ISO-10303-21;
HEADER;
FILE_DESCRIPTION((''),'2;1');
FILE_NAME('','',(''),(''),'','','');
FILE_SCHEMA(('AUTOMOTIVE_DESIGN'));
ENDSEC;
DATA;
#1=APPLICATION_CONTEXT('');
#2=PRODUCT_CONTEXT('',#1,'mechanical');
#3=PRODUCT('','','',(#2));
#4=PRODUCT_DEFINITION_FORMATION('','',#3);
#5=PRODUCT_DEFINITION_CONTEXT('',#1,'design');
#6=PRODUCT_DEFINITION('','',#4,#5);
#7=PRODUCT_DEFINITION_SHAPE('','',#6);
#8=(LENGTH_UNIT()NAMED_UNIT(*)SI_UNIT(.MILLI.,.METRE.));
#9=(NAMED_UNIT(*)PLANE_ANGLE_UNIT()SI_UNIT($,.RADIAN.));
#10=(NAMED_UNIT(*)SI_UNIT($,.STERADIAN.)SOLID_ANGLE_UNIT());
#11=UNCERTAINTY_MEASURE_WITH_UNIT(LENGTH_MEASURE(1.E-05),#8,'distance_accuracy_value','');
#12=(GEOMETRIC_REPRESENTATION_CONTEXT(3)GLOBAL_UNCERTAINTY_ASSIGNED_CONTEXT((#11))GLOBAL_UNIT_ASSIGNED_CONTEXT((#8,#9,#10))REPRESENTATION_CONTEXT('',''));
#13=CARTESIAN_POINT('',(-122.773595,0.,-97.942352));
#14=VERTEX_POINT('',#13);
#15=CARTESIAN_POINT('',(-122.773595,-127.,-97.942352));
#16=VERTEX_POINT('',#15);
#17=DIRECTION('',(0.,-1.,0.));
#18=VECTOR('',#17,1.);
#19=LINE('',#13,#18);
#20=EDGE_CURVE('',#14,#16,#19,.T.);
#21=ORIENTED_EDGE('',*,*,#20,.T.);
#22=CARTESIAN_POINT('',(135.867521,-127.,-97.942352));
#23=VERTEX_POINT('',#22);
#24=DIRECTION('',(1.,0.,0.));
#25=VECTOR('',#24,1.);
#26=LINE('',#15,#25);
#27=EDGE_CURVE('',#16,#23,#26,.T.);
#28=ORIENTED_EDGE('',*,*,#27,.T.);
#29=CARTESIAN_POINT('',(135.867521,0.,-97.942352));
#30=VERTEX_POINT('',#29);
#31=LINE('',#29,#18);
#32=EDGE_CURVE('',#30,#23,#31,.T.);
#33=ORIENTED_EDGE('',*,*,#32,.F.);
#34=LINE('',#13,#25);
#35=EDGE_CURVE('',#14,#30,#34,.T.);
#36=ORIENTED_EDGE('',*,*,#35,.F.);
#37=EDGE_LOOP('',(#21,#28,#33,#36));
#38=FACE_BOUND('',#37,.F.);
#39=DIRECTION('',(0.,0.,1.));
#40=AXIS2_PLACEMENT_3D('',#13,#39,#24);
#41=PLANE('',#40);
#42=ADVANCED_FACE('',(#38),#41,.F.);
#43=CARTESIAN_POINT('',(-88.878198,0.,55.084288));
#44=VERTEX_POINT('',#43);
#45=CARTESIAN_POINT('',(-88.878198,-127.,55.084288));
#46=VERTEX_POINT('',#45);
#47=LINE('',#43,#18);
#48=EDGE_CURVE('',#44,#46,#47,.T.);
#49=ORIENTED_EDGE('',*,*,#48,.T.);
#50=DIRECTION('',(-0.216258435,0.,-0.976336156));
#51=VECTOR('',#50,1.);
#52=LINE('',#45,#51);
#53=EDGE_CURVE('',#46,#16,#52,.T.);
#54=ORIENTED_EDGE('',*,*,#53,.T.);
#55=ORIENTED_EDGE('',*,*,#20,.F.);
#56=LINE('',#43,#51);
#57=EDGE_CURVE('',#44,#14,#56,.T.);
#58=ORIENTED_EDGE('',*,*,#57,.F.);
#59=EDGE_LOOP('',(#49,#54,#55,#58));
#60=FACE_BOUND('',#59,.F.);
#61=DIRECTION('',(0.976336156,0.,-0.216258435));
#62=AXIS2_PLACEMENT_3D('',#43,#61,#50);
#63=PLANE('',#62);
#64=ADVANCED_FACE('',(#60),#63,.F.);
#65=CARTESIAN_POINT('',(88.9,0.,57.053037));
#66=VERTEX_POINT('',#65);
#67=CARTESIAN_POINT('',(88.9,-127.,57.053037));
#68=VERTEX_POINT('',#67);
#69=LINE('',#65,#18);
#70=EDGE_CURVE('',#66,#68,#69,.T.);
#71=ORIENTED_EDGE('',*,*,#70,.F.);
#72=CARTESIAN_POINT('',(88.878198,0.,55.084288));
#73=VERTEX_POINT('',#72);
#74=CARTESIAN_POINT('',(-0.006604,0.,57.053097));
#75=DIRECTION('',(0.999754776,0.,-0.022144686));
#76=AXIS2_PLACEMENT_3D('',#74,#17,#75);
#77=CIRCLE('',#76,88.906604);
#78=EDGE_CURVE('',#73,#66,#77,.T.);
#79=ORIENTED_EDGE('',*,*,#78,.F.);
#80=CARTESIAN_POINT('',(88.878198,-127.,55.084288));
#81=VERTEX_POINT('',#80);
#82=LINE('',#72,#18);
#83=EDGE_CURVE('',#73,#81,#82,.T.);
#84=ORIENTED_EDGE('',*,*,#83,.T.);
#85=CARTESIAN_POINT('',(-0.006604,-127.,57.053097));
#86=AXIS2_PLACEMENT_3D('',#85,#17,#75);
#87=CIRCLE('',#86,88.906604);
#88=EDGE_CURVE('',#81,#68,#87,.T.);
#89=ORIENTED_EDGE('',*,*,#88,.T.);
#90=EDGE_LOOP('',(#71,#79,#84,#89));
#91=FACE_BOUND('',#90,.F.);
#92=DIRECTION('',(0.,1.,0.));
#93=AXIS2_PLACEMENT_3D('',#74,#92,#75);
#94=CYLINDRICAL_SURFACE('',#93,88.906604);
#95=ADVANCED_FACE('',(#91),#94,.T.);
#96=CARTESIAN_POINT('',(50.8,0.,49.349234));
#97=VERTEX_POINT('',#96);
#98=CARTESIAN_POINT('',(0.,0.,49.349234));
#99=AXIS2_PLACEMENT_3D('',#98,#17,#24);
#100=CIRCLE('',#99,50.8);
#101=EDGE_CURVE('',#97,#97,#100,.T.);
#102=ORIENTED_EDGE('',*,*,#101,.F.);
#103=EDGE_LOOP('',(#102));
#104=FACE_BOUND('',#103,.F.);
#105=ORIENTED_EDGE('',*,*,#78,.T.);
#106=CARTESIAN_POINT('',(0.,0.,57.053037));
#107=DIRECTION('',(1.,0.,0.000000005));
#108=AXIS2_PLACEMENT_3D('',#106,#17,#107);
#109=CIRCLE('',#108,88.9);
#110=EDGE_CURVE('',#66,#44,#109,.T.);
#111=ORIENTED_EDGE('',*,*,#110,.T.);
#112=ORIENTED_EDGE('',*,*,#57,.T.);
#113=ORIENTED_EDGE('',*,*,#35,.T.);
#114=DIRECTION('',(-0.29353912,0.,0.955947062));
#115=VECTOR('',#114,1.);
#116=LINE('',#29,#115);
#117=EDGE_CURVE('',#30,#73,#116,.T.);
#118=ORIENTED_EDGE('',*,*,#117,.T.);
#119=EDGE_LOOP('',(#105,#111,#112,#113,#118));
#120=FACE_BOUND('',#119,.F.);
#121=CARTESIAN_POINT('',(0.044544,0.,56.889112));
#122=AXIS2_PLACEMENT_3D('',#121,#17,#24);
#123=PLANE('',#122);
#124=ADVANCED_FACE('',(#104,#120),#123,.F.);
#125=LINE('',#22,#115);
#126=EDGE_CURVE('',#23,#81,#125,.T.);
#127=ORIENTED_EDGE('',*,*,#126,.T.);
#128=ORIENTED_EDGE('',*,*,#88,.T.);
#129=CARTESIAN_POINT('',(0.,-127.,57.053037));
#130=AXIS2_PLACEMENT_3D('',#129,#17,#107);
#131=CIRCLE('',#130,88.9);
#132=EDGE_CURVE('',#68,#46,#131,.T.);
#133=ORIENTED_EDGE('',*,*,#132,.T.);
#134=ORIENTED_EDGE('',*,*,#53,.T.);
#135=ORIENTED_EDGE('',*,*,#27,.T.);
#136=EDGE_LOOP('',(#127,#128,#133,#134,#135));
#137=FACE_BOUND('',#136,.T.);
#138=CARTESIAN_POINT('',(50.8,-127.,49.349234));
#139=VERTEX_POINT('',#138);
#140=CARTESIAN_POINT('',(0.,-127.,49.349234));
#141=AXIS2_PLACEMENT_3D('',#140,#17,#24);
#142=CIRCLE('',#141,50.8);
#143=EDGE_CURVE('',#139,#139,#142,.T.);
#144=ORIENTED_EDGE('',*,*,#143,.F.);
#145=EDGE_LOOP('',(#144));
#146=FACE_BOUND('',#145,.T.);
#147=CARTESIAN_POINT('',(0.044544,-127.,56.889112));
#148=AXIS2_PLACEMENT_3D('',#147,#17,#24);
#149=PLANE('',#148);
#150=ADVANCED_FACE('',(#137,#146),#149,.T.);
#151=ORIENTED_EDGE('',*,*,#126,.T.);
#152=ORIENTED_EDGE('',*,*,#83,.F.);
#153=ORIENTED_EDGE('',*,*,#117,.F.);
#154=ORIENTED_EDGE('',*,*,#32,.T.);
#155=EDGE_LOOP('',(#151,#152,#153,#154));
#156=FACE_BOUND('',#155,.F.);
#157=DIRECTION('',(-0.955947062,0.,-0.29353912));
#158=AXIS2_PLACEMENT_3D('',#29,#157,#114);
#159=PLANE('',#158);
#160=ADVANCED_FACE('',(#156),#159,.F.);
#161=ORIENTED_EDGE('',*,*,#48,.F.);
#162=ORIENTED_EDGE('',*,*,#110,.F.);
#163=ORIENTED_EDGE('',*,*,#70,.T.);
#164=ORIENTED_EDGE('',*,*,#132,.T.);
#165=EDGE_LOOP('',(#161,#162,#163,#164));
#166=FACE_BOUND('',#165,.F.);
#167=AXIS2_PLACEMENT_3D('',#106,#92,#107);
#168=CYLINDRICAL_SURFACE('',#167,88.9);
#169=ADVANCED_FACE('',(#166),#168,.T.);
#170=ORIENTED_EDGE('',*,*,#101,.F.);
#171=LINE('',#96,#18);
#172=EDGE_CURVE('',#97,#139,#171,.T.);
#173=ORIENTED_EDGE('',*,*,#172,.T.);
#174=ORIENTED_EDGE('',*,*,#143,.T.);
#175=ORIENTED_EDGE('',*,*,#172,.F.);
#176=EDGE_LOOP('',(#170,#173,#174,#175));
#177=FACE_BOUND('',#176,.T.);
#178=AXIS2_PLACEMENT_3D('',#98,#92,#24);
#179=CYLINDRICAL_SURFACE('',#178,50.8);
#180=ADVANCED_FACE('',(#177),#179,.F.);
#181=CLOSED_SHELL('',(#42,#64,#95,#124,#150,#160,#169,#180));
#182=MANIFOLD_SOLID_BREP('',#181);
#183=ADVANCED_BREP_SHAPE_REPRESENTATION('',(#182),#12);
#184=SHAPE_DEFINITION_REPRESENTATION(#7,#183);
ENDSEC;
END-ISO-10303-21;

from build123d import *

# Parameters (mm, degrees)
F0_R     = 50.8
F1_DEPTH = 127


with BuildPart() as f1:
    # F0 (on Front) → F1 (new body)
    with BuildSketch(Plane.XZ):
        with BuildLine():
            ThreePointArc((88.878198, 55.084288), (88.894549, 56.068602), (88.9, 57.053037))
            ThreePointArc((88.9, 57.053037), (-0.984435, 145.947586), (-88.878198, 55.084288))
            ThreePointArc((-88.878198, 55.084288), (0, -31.846963), (88.878198, 55.084288))
        make_face()
        with Locations((0, 49.349234)):
            Circle(F0_R, mode=Mode.SUBTRACT)
        with BuildLine():
            ThreePointArc((88.878198, 55.084288), (0, -31.846963), (-88.878198, 55.084288))
            Line((-88.878198, 55.084288), (-122.773595, -97.942352))
            Line((-122.773595, -97.942352), (-84.673595, -97.942352))
            Line((-84.673595, -97.942352), (-77.228464, -97.942352))
            Line((-77.228464, -97.942352), (49.771536, -97.942352))
            Line((49.771536, -97.942352), (63.455388, -97.942352))
            Line((63.455388, -97.942352), (117.76977, -97.942352))
            Line((117.76977, -97.942352), (126.955388, -97.942352))
            Line((126.955388, -97.942352), (135.867521, -97.942352))
            Line((135.867521, -97.942352), (88.878198, 55.084288))
        make_face()
    extrude(amount=F1_DEPTH)


solid = f1.part
